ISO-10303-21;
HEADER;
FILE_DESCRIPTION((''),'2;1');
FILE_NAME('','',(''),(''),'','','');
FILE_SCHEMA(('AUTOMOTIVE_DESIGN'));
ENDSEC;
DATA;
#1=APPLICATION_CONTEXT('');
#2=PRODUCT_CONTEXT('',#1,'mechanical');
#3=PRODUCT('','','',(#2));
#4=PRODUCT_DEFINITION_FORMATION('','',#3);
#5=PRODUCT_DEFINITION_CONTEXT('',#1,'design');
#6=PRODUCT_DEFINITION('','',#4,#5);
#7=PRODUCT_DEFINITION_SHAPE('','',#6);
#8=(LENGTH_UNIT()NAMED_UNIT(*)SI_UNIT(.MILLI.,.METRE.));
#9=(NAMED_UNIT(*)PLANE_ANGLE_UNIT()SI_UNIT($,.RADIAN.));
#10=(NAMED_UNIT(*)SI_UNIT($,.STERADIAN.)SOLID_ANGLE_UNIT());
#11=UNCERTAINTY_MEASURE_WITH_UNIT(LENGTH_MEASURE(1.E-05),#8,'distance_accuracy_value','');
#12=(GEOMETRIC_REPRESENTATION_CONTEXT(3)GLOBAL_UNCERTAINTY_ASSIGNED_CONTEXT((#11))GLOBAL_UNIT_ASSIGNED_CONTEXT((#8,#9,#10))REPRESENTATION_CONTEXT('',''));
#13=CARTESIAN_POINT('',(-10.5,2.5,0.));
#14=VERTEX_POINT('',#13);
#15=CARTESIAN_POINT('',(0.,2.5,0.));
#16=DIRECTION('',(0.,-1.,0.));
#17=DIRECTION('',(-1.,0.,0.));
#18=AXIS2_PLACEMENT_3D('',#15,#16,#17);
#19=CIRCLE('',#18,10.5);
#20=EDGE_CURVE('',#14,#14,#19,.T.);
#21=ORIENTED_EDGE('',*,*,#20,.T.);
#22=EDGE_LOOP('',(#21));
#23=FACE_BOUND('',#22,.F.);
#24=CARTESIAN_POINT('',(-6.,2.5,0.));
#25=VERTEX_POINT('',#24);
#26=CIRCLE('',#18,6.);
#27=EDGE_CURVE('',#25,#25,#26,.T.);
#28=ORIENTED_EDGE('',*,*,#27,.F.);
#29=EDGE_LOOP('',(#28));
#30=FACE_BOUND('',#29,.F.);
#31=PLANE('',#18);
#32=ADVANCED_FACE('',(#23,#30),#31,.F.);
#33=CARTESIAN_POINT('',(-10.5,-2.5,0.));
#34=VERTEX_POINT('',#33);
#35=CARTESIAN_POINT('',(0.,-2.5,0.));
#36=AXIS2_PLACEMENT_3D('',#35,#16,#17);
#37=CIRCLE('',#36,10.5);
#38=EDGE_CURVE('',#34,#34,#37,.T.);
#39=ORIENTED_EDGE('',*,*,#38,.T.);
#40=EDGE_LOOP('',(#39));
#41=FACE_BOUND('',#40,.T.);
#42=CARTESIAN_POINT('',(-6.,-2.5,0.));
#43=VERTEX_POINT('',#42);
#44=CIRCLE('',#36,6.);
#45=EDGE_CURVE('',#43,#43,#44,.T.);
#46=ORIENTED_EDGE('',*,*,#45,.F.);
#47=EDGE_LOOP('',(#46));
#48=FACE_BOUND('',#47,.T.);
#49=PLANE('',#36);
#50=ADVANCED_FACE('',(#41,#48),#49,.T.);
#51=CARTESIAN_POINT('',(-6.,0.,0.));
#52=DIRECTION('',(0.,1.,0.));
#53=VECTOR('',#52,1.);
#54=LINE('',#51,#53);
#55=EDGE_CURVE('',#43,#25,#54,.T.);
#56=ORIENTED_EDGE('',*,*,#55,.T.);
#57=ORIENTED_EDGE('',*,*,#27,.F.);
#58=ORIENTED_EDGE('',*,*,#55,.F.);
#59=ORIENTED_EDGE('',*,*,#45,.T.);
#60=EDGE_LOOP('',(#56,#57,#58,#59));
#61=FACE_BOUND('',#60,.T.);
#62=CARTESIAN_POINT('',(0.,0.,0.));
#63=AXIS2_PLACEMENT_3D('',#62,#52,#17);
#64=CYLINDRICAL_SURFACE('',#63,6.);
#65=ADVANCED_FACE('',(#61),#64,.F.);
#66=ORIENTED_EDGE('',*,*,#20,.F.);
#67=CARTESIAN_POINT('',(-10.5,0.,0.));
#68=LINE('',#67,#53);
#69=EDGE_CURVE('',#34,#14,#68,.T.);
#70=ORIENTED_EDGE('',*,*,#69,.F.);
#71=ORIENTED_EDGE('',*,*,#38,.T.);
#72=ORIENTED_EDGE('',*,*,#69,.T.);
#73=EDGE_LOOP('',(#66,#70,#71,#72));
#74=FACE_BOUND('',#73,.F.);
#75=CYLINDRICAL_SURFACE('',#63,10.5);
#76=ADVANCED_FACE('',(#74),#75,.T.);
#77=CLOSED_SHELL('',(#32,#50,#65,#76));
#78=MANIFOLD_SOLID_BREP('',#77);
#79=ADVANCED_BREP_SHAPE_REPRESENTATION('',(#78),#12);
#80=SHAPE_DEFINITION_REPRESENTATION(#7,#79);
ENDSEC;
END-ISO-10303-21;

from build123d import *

# Parameters (mm, degrees)
SKETCH1_W = 4.5
SKETCH1_H = 5


with BuildPart() as part:
    # Sketch1 → Revolve1 (revolve)
    with BuildSketch(Plane.XY):
        with Locations((-8.25, 0)):
            Rectangle(SKETCH1_W, SKETCH1_H)
    revolve(axis=Axis((0, 55, 0), (0, -1, 0)))


solid = part.part
